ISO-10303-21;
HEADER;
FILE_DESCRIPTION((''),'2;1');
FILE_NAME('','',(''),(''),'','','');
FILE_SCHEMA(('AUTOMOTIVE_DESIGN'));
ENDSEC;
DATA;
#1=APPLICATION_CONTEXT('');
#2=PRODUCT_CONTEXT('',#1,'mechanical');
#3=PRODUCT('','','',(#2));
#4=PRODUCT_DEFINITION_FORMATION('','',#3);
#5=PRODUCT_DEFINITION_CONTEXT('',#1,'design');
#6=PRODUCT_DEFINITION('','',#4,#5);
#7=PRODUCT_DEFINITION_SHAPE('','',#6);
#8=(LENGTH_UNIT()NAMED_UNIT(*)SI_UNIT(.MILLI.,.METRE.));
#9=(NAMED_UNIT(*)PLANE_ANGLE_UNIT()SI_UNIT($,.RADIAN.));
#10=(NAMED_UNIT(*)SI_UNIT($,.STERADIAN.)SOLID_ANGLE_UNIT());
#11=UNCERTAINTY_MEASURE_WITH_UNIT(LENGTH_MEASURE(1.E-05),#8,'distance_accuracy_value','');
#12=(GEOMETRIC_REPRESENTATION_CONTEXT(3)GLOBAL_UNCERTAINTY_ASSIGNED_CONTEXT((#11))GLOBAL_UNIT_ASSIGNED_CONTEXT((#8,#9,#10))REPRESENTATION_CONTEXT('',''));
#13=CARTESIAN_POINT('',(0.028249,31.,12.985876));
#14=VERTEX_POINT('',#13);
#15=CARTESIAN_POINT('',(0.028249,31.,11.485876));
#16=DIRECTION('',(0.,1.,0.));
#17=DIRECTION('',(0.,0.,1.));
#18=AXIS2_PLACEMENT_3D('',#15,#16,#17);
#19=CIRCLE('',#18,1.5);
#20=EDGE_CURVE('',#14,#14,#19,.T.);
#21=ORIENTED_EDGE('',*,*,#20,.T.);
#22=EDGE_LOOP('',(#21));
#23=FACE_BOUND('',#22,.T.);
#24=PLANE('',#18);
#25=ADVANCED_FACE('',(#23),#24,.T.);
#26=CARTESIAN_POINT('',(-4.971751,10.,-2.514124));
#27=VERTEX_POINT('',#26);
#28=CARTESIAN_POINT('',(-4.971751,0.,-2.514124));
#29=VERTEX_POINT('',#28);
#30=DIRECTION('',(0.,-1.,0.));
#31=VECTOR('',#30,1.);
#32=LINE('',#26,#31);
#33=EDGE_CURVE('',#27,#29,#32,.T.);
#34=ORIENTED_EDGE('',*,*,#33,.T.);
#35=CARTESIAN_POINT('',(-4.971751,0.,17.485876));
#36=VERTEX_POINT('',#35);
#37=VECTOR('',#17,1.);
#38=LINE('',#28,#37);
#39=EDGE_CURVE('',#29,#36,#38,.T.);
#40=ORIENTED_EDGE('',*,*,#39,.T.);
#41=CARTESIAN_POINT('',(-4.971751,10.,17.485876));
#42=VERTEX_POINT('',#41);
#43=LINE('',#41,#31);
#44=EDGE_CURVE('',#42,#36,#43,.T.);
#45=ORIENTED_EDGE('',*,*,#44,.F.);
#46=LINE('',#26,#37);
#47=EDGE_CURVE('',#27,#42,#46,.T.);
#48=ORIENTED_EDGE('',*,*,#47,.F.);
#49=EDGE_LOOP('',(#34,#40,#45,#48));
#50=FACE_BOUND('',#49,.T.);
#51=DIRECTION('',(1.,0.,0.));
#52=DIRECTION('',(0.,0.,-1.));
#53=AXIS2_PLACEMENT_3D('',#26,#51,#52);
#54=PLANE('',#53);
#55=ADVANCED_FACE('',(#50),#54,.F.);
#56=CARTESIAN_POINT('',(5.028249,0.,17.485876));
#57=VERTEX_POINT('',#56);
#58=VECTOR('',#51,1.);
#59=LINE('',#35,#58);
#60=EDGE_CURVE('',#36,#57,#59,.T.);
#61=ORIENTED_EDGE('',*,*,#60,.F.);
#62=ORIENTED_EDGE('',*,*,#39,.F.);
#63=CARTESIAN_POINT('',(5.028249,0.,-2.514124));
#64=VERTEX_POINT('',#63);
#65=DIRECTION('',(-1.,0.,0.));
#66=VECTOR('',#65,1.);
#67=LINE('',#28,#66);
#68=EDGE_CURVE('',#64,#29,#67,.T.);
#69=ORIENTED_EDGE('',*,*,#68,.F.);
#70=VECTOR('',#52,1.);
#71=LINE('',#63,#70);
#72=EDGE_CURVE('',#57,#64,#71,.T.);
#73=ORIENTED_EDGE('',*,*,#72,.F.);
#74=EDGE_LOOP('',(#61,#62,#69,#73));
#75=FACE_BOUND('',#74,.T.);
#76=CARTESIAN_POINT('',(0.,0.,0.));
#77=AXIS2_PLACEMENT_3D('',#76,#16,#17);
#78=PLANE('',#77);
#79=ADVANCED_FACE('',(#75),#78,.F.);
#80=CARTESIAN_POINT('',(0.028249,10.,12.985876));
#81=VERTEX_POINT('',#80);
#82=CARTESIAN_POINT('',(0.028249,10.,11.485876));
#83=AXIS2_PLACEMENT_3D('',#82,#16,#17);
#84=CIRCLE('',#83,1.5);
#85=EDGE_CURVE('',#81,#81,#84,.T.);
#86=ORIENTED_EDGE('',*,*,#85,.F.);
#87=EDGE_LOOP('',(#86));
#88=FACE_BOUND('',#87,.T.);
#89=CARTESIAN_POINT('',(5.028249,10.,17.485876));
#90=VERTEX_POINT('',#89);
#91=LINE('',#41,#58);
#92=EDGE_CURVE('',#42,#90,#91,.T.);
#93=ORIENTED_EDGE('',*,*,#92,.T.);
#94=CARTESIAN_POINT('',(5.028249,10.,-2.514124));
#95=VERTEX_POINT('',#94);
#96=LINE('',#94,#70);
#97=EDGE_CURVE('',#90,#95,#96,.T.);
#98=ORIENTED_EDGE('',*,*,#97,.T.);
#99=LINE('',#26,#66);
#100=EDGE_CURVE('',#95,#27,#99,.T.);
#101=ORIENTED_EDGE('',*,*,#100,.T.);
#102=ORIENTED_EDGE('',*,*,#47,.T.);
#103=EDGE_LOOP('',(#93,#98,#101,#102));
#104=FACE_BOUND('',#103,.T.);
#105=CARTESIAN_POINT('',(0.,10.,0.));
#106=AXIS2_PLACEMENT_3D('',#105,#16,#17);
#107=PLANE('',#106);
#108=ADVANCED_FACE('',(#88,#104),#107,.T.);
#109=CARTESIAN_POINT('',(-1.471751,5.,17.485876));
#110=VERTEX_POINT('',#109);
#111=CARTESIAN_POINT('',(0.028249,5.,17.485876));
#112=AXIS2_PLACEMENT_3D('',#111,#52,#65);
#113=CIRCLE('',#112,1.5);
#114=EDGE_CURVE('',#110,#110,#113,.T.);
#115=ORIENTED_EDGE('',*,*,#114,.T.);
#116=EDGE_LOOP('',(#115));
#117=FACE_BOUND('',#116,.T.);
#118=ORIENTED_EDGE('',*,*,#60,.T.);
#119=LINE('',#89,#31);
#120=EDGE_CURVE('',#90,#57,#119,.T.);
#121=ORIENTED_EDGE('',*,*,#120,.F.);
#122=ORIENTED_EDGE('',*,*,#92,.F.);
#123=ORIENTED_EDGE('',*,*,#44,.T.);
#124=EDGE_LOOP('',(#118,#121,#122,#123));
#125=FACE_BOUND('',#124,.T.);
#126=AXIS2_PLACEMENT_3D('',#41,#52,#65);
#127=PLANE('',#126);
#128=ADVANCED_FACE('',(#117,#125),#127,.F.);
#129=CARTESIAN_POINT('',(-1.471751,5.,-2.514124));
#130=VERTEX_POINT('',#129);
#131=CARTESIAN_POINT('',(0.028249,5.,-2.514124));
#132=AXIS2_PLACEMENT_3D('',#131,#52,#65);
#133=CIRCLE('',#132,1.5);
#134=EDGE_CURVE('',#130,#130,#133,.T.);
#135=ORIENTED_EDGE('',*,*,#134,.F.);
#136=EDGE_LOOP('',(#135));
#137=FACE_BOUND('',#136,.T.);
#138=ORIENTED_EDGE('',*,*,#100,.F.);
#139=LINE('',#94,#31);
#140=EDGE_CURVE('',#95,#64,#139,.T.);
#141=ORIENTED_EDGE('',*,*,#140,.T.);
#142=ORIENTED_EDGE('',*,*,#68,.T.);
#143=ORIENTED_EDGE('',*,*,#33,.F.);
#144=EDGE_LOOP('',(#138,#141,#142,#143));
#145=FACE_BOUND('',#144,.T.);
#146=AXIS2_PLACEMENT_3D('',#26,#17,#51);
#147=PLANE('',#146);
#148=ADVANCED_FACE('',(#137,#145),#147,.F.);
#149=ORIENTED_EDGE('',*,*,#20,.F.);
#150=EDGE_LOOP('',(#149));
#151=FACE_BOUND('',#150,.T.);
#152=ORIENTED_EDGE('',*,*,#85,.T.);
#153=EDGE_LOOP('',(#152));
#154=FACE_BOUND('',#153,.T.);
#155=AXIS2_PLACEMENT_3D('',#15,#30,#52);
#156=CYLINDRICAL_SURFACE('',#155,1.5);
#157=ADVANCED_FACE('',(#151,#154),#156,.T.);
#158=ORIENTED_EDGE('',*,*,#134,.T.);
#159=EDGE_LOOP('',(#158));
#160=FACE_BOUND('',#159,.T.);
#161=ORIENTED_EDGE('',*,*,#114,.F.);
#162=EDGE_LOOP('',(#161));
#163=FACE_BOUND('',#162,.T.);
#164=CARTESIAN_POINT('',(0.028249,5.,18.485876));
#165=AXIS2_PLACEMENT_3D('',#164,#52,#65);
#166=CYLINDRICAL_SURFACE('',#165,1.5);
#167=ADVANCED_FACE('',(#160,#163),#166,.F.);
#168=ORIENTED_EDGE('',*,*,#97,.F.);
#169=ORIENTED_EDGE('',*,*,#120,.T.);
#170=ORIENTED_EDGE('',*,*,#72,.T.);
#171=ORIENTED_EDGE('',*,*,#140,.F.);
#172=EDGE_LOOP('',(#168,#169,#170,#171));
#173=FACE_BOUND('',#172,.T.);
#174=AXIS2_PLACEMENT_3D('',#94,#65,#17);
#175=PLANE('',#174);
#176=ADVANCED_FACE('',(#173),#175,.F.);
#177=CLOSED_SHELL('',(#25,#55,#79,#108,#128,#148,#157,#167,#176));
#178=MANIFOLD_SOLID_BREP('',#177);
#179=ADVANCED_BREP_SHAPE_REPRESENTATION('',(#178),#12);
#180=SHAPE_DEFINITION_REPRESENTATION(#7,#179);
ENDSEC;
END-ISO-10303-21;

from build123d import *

# Parameters (mm, degrees)
SKETCH1_W           = 10
SKETCH1_H           = 20
BOSS_EXTRUDE1_DEPTH = 10
SKETCH3_R           = 1.5
CUT_EXTRUDE1_DEPTH  = 21
SKETCH2_R           = 1.5
BOSS_EXTRUDE2_DEPTH = 21


with BuildPart() as part:
    # Sketch1 → Boss-Extrude1 (new body)
    with BuildSketch(Plane(origin=(0, 0, 0), x_dir=(1, 0, 0), z_dir=(0, 1, 0))):
        with Locations((0.028248588, -7.485875706)):
            Rectangle(SKETCH1_W, SKETCH1_H)
    extrude(amount=BOSS_EXTRUDE1_DEPTH)

    # Sketch3 → Cut-Extrude1 (cut)
    with BuildSketch(Plane(origin=(0, 0, -2.514124294), x_dir=(-1, 0, 0), z_dir=(0, 0, -1))):
        with Locations((-0.028248588, 5)):
            Circle(SKETCH3_R)
    extrude(amount=-CUT_EXTRUDE1_DEPTH, mode=Mode.SUBTRACT)

    # Sketch2 → Boss-Extrude2 (add)
    with BuildSketch(Plane(origin=(0, 10, 0), x_dir=(1, 0, 0), z_dir=(0, 1, 0))):
        with Locations((0.028248588, -11.485875706)):
            Circle(SKETCH2_R)
    extrude(amount=BOSS_EXTRUDE2_DEPTH)


solid = part.part
